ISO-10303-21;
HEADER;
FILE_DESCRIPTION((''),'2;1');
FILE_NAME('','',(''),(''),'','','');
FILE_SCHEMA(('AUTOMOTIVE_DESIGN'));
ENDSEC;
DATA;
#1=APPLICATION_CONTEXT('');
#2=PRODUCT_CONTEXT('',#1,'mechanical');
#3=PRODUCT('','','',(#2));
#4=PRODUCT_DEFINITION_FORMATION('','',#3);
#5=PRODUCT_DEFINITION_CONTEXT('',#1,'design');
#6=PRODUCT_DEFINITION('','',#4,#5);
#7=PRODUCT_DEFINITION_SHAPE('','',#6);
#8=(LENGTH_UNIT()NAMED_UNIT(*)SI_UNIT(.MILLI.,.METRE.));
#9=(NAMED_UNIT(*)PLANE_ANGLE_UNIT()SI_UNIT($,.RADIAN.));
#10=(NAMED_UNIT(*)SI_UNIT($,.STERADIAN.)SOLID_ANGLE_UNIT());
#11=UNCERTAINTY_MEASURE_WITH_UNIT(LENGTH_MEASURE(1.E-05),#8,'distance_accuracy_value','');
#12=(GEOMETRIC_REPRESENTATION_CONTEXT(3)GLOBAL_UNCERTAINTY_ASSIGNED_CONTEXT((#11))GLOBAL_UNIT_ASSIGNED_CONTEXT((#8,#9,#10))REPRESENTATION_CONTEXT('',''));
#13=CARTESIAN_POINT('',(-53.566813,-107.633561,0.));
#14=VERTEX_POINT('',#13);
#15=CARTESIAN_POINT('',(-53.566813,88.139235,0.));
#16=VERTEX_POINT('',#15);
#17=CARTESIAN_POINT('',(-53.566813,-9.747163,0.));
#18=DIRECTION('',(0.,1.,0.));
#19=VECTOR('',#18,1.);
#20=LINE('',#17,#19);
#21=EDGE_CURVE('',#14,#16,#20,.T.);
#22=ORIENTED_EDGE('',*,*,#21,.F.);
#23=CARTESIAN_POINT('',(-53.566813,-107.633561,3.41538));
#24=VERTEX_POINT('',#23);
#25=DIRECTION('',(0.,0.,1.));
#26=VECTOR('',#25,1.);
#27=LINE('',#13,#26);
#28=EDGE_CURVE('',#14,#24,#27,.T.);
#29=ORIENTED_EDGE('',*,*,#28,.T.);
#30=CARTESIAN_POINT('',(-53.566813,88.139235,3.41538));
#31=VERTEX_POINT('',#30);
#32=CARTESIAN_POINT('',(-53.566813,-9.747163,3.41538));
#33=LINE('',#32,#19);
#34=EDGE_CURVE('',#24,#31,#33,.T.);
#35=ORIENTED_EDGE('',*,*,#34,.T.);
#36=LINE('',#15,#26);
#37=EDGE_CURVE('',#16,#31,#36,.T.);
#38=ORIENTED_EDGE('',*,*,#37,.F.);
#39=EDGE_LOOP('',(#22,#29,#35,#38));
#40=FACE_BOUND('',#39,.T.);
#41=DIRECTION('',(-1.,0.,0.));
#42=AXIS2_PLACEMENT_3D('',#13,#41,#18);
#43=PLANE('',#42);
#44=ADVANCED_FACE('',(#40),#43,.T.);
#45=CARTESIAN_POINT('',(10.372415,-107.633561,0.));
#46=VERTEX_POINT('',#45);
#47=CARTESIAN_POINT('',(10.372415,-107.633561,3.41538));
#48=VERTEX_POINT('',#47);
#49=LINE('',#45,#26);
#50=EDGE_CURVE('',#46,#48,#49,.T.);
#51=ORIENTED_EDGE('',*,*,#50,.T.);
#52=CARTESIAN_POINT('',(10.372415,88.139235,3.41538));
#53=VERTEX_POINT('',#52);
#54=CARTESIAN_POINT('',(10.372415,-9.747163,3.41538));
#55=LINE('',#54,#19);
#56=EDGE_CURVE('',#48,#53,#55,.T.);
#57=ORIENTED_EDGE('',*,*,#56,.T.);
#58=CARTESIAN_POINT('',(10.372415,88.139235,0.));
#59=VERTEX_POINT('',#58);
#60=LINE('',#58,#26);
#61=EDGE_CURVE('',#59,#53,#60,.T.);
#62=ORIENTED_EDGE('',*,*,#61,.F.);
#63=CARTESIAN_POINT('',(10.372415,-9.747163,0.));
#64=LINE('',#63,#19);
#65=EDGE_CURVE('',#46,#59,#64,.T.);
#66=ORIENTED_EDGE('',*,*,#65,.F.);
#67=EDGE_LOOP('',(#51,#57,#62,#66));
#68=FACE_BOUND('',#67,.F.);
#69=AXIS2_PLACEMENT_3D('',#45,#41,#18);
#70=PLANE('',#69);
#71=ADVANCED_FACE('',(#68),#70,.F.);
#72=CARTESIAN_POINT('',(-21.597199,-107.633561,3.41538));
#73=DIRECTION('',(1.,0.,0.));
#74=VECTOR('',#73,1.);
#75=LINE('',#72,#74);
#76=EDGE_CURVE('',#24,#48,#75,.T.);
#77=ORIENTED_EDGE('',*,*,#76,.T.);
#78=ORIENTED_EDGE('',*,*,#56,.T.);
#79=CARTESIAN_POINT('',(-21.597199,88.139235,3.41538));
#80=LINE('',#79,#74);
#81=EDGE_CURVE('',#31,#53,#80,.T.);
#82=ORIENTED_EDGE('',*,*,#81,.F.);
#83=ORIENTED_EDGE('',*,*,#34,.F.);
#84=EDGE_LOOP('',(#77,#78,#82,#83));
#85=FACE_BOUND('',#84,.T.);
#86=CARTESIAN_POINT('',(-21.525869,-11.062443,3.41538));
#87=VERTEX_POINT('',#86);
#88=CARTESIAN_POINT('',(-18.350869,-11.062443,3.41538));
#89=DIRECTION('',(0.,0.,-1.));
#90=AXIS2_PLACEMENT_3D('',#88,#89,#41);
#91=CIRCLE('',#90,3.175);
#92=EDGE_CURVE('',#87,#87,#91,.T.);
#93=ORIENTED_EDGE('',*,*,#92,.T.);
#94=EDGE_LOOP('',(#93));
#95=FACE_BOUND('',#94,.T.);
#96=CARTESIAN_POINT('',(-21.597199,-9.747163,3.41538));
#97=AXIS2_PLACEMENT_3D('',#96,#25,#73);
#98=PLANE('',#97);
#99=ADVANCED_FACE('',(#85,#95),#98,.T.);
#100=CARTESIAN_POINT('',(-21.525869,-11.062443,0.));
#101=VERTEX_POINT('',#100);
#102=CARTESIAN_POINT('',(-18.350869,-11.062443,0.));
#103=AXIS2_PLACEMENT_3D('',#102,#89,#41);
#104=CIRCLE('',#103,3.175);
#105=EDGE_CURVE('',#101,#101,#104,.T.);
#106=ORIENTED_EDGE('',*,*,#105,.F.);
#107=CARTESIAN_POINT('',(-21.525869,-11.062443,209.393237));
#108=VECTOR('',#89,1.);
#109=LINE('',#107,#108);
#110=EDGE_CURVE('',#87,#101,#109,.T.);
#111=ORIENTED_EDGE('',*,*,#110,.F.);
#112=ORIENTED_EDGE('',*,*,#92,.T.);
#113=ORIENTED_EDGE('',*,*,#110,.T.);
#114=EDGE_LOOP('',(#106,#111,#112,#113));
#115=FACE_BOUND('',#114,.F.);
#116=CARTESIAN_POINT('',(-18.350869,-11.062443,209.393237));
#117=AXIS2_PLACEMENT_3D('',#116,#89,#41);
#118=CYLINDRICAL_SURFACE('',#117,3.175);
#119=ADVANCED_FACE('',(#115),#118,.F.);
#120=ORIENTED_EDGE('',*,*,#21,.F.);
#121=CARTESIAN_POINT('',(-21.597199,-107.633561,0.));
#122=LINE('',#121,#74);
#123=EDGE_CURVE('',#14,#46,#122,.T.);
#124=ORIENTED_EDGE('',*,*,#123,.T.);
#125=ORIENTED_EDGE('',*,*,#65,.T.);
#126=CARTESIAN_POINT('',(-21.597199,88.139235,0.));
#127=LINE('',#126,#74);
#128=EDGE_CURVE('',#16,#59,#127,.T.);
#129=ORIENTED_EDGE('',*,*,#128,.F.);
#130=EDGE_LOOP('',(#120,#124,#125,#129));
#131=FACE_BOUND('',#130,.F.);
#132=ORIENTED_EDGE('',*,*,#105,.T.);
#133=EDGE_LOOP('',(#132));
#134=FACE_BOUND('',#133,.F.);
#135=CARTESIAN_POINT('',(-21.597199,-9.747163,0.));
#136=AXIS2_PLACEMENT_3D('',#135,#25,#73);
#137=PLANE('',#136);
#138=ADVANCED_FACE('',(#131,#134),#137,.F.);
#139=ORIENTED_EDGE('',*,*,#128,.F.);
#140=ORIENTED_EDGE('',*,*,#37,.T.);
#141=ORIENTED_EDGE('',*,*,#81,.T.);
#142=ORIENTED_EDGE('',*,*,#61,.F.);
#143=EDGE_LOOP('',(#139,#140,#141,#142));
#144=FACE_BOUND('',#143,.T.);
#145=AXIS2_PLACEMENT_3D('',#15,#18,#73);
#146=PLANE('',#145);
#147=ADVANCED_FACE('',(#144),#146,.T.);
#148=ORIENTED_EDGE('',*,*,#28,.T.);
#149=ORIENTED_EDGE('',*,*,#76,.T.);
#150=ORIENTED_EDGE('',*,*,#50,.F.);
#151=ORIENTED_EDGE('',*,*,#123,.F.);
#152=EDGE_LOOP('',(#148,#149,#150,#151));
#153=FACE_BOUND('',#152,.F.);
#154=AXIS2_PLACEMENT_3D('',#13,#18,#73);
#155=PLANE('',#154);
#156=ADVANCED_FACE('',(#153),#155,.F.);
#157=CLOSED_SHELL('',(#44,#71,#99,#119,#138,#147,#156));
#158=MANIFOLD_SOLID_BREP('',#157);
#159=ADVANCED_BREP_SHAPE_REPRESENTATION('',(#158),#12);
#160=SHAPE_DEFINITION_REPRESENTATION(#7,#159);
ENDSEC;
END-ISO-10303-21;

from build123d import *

# Parameters (mm, degrees)
F0_W     = 63.939228
F0_H     = 195.772797
F1_DEPTH = 3.41538
F3_D     = 6.35


with BuildPart() as f1:
    # F0 (on Top) → F1 (new body)
    with BuildSketch(Plane.XY):
        with Locations((-21.597199, -9.747163)):
            Rectangle(F0_W, F0_H)
    extrude(amount=F1_DEPTH)

    # F3 (through all)
    with Locations(Plane.XY.offset(3.41538)):
        with Locations((-18.350869, -11.062443)):
            Hole(F3_D / 2)


solid = f1.part
